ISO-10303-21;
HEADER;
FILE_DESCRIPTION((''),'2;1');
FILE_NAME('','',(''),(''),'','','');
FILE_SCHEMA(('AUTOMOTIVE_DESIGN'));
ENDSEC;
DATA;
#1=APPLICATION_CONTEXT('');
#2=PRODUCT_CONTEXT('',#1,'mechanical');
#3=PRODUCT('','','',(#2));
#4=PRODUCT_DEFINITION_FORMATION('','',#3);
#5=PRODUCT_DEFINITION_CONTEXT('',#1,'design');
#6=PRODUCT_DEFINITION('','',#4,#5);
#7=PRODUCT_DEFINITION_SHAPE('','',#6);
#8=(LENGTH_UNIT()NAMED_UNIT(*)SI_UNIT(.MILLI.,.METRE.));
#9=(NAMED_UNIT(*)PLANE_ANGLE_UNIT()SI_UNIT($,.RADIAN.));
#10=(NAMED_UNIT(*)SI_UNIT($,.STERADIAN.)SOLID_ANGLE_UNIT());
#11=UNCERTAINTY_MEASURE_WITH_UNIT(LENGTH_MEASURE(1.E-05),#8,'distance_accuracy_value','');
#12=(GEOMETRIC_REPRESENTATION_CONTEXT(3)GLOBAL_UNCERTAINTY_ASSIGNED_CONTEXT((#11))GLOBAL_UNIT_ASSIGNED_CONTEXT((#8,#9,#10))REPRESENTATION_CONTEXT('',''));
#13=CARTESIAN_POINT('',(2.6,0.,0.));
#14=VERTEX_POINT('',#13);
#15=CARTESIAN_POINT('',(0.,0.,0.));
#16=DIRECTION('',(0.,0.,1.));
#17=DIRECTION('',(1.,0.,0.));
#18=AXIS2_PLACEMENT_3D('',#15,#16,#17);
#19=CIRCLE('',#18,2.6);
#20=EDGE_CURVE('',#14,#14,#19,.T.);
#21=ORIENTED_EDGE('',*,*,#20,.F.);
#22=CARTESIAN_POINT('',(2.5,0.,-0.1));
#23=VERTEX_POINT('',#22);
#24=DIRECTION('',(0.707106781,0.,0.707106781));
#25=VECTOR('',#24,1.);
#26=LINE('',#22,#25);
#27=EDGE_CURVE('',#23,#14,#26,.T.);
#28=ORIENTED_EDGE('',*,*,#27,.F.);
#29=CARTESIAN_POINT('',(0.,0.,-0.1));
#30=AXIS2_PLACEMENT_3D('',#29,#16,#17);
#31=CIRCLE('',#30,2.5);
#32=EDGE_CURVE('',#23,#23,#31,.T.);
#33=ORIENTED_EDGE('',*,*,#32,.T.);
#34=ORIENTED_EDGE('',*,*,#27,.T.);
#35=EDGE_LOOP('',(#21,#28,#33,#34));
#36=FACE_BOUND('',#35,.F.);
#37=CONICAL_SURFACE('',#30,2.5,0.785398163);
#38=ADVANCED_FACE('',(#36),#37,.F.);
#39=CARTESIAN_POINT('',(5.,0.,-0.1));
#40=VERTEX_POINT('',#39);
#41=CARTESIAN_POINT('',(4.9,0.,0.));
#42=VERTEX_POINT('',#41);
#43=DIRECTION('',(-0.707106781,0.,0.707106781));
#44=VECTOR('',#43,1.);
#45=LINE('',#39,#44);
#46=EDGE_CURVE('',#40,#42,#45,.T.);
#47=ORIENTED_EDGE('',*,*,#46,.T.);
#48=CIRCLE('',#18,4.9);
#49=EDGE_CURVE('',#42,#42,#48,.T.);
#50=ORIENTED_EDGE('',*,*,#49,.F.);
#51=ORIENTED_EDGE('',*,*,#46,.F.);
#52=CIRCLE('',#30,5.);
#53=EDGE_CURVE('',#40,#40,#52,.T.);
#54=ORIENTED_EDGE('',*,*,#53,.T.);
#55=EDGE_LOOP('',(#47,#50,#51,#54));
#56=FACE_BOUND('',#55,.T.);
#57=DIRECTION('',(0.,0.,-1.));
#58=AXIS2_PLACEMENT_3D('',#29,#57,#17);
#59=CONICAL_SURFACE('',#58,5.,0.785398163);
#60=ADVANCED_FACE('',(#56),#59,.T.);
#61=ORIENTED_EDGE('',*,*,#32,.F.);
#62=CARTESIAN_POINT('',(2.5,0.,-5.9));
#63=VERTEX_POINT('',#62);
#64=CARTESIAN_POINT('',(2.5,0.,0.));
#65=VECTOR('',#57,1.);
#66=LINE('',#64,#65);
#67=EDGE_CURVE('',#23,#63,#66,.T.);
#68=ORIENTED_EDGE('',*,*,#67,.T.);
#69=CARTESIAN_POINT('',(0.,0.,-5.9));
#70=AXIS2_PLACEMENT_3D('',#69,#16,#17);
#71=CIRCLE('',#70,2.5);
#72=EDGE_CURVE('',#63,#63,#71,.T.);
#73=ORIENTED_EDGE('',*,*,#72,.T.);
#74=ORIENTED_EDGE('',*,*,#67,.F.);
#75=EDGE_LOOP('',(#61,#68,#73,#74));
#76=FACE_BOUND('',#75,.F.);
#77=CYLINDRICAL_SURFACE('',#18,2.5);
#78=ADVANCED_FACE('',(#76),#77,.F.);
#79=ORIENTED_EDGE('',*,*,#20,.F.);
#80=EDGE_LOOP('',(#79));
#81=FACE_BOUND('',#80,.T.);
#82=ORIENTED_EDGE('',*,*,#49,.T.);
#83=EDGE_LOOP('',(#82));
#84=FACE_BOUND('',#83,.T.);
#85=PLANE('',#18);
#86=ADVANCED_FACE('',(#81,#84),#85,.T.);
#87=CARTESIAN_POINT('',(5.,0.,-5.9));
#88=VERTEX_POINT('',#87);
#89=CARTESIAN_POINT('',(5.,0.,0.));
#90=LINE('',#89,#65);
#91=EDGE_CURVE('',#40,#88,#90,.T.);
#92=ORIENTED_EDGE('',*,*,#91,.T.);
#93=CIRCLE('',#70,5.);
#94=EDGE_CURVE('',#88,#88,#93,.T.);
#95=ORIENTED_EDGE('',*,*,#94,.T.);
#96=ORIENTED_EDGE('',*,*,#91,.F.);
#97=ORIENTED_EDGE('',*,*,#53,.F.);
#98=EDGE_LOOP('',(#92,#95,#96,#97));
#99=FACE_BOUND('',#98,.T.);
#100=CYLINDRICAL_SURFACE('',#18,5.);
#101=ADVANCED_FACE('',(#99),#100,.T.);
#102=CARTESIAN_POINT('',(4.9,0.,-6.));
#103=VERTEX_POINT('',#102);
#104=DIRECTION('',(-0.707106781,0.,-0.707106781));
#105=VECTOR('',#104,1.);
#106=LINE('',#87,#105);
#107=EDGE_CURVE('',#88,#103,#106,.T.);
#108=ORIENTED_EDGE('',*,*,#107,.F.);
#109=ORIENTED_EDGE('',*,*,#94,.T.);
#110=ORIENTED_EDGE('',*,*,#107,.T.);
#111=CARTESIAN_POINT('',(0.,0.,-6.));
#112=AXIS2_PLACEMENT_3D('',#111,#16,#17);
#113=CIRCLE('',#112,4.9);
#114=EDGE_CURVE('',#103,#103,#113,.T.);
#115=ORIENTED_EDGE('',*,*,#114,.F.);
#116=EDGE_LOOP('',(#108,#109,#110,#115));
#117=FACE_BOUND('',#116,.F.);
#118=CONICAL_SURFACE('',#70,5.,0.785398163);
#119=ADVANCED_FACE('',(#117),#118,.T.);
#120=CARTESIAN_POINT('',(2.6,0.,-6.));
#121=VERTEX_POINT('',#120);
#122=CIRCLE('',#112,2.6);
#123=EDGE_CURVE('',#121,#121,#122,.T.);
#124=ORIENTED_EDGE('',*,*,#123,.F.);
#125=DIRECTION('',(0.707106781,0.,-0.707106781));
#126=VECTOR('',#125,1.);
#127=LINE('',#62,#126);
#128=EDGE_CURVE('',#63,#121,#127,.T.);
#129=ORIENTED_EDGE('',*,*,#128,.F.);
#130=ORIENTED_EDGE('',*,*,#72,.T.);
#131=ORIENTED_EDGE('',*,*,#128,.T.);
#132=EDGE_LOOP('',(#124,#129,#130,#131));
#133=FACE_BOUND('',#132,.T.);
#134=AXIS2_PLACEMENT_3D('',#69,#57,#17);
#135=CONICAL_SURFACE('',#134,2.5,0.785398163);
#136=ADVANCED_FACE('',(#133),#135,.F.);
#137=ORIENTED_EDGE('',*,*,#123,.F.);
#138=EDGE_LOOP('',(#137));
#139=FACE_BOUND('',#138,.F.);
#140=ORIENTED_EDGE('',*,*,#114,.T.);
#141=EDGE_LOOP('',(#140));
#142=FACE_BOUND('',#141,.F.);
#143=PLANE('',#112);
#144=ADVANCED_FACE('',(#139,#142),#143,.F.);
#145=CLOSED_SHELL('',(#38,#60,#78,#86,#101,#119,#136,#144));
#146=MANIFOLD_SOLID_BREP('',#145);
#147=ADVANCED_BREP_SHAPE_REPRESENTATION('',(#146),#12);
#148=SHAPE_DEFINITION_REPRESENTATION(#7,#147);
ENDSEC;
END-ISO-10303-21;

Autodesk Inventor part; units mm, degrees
ref_plane "YZ Plane" through (0, 0, 0) normal (1, 0, 0) x (0, 1, 0)
ref_plane "XZ Plane" through (0, 0, 0) normal (0, 1, 0) x (-1, 0, 0)
ref_plane "XY Plane" through (0, 0, 0) normal (0, 0, 1) x (1, 0, 0)
sketch "Эскиз1" plane through (0, 0, 0) normal (0, 0, 1) x (1, 0, 0)
  circle A0 centre (0, 0) radius 2.5
  circle A1 centre (0, 0) radius 5
  dimension "d0" = 5
  dimension "d1" = 10
extrude "Выдавливание1" add sketch "Эскиз1" against normal blind 6
chamfer "Фаска1" distance 0.1 angle 45 4 edges at (-5, 0, 0) (-5, 0, -6) (-2.5, 0, -6) (-2.5, 0, 0)
properties part number "Aluminium spacer 6mm"
